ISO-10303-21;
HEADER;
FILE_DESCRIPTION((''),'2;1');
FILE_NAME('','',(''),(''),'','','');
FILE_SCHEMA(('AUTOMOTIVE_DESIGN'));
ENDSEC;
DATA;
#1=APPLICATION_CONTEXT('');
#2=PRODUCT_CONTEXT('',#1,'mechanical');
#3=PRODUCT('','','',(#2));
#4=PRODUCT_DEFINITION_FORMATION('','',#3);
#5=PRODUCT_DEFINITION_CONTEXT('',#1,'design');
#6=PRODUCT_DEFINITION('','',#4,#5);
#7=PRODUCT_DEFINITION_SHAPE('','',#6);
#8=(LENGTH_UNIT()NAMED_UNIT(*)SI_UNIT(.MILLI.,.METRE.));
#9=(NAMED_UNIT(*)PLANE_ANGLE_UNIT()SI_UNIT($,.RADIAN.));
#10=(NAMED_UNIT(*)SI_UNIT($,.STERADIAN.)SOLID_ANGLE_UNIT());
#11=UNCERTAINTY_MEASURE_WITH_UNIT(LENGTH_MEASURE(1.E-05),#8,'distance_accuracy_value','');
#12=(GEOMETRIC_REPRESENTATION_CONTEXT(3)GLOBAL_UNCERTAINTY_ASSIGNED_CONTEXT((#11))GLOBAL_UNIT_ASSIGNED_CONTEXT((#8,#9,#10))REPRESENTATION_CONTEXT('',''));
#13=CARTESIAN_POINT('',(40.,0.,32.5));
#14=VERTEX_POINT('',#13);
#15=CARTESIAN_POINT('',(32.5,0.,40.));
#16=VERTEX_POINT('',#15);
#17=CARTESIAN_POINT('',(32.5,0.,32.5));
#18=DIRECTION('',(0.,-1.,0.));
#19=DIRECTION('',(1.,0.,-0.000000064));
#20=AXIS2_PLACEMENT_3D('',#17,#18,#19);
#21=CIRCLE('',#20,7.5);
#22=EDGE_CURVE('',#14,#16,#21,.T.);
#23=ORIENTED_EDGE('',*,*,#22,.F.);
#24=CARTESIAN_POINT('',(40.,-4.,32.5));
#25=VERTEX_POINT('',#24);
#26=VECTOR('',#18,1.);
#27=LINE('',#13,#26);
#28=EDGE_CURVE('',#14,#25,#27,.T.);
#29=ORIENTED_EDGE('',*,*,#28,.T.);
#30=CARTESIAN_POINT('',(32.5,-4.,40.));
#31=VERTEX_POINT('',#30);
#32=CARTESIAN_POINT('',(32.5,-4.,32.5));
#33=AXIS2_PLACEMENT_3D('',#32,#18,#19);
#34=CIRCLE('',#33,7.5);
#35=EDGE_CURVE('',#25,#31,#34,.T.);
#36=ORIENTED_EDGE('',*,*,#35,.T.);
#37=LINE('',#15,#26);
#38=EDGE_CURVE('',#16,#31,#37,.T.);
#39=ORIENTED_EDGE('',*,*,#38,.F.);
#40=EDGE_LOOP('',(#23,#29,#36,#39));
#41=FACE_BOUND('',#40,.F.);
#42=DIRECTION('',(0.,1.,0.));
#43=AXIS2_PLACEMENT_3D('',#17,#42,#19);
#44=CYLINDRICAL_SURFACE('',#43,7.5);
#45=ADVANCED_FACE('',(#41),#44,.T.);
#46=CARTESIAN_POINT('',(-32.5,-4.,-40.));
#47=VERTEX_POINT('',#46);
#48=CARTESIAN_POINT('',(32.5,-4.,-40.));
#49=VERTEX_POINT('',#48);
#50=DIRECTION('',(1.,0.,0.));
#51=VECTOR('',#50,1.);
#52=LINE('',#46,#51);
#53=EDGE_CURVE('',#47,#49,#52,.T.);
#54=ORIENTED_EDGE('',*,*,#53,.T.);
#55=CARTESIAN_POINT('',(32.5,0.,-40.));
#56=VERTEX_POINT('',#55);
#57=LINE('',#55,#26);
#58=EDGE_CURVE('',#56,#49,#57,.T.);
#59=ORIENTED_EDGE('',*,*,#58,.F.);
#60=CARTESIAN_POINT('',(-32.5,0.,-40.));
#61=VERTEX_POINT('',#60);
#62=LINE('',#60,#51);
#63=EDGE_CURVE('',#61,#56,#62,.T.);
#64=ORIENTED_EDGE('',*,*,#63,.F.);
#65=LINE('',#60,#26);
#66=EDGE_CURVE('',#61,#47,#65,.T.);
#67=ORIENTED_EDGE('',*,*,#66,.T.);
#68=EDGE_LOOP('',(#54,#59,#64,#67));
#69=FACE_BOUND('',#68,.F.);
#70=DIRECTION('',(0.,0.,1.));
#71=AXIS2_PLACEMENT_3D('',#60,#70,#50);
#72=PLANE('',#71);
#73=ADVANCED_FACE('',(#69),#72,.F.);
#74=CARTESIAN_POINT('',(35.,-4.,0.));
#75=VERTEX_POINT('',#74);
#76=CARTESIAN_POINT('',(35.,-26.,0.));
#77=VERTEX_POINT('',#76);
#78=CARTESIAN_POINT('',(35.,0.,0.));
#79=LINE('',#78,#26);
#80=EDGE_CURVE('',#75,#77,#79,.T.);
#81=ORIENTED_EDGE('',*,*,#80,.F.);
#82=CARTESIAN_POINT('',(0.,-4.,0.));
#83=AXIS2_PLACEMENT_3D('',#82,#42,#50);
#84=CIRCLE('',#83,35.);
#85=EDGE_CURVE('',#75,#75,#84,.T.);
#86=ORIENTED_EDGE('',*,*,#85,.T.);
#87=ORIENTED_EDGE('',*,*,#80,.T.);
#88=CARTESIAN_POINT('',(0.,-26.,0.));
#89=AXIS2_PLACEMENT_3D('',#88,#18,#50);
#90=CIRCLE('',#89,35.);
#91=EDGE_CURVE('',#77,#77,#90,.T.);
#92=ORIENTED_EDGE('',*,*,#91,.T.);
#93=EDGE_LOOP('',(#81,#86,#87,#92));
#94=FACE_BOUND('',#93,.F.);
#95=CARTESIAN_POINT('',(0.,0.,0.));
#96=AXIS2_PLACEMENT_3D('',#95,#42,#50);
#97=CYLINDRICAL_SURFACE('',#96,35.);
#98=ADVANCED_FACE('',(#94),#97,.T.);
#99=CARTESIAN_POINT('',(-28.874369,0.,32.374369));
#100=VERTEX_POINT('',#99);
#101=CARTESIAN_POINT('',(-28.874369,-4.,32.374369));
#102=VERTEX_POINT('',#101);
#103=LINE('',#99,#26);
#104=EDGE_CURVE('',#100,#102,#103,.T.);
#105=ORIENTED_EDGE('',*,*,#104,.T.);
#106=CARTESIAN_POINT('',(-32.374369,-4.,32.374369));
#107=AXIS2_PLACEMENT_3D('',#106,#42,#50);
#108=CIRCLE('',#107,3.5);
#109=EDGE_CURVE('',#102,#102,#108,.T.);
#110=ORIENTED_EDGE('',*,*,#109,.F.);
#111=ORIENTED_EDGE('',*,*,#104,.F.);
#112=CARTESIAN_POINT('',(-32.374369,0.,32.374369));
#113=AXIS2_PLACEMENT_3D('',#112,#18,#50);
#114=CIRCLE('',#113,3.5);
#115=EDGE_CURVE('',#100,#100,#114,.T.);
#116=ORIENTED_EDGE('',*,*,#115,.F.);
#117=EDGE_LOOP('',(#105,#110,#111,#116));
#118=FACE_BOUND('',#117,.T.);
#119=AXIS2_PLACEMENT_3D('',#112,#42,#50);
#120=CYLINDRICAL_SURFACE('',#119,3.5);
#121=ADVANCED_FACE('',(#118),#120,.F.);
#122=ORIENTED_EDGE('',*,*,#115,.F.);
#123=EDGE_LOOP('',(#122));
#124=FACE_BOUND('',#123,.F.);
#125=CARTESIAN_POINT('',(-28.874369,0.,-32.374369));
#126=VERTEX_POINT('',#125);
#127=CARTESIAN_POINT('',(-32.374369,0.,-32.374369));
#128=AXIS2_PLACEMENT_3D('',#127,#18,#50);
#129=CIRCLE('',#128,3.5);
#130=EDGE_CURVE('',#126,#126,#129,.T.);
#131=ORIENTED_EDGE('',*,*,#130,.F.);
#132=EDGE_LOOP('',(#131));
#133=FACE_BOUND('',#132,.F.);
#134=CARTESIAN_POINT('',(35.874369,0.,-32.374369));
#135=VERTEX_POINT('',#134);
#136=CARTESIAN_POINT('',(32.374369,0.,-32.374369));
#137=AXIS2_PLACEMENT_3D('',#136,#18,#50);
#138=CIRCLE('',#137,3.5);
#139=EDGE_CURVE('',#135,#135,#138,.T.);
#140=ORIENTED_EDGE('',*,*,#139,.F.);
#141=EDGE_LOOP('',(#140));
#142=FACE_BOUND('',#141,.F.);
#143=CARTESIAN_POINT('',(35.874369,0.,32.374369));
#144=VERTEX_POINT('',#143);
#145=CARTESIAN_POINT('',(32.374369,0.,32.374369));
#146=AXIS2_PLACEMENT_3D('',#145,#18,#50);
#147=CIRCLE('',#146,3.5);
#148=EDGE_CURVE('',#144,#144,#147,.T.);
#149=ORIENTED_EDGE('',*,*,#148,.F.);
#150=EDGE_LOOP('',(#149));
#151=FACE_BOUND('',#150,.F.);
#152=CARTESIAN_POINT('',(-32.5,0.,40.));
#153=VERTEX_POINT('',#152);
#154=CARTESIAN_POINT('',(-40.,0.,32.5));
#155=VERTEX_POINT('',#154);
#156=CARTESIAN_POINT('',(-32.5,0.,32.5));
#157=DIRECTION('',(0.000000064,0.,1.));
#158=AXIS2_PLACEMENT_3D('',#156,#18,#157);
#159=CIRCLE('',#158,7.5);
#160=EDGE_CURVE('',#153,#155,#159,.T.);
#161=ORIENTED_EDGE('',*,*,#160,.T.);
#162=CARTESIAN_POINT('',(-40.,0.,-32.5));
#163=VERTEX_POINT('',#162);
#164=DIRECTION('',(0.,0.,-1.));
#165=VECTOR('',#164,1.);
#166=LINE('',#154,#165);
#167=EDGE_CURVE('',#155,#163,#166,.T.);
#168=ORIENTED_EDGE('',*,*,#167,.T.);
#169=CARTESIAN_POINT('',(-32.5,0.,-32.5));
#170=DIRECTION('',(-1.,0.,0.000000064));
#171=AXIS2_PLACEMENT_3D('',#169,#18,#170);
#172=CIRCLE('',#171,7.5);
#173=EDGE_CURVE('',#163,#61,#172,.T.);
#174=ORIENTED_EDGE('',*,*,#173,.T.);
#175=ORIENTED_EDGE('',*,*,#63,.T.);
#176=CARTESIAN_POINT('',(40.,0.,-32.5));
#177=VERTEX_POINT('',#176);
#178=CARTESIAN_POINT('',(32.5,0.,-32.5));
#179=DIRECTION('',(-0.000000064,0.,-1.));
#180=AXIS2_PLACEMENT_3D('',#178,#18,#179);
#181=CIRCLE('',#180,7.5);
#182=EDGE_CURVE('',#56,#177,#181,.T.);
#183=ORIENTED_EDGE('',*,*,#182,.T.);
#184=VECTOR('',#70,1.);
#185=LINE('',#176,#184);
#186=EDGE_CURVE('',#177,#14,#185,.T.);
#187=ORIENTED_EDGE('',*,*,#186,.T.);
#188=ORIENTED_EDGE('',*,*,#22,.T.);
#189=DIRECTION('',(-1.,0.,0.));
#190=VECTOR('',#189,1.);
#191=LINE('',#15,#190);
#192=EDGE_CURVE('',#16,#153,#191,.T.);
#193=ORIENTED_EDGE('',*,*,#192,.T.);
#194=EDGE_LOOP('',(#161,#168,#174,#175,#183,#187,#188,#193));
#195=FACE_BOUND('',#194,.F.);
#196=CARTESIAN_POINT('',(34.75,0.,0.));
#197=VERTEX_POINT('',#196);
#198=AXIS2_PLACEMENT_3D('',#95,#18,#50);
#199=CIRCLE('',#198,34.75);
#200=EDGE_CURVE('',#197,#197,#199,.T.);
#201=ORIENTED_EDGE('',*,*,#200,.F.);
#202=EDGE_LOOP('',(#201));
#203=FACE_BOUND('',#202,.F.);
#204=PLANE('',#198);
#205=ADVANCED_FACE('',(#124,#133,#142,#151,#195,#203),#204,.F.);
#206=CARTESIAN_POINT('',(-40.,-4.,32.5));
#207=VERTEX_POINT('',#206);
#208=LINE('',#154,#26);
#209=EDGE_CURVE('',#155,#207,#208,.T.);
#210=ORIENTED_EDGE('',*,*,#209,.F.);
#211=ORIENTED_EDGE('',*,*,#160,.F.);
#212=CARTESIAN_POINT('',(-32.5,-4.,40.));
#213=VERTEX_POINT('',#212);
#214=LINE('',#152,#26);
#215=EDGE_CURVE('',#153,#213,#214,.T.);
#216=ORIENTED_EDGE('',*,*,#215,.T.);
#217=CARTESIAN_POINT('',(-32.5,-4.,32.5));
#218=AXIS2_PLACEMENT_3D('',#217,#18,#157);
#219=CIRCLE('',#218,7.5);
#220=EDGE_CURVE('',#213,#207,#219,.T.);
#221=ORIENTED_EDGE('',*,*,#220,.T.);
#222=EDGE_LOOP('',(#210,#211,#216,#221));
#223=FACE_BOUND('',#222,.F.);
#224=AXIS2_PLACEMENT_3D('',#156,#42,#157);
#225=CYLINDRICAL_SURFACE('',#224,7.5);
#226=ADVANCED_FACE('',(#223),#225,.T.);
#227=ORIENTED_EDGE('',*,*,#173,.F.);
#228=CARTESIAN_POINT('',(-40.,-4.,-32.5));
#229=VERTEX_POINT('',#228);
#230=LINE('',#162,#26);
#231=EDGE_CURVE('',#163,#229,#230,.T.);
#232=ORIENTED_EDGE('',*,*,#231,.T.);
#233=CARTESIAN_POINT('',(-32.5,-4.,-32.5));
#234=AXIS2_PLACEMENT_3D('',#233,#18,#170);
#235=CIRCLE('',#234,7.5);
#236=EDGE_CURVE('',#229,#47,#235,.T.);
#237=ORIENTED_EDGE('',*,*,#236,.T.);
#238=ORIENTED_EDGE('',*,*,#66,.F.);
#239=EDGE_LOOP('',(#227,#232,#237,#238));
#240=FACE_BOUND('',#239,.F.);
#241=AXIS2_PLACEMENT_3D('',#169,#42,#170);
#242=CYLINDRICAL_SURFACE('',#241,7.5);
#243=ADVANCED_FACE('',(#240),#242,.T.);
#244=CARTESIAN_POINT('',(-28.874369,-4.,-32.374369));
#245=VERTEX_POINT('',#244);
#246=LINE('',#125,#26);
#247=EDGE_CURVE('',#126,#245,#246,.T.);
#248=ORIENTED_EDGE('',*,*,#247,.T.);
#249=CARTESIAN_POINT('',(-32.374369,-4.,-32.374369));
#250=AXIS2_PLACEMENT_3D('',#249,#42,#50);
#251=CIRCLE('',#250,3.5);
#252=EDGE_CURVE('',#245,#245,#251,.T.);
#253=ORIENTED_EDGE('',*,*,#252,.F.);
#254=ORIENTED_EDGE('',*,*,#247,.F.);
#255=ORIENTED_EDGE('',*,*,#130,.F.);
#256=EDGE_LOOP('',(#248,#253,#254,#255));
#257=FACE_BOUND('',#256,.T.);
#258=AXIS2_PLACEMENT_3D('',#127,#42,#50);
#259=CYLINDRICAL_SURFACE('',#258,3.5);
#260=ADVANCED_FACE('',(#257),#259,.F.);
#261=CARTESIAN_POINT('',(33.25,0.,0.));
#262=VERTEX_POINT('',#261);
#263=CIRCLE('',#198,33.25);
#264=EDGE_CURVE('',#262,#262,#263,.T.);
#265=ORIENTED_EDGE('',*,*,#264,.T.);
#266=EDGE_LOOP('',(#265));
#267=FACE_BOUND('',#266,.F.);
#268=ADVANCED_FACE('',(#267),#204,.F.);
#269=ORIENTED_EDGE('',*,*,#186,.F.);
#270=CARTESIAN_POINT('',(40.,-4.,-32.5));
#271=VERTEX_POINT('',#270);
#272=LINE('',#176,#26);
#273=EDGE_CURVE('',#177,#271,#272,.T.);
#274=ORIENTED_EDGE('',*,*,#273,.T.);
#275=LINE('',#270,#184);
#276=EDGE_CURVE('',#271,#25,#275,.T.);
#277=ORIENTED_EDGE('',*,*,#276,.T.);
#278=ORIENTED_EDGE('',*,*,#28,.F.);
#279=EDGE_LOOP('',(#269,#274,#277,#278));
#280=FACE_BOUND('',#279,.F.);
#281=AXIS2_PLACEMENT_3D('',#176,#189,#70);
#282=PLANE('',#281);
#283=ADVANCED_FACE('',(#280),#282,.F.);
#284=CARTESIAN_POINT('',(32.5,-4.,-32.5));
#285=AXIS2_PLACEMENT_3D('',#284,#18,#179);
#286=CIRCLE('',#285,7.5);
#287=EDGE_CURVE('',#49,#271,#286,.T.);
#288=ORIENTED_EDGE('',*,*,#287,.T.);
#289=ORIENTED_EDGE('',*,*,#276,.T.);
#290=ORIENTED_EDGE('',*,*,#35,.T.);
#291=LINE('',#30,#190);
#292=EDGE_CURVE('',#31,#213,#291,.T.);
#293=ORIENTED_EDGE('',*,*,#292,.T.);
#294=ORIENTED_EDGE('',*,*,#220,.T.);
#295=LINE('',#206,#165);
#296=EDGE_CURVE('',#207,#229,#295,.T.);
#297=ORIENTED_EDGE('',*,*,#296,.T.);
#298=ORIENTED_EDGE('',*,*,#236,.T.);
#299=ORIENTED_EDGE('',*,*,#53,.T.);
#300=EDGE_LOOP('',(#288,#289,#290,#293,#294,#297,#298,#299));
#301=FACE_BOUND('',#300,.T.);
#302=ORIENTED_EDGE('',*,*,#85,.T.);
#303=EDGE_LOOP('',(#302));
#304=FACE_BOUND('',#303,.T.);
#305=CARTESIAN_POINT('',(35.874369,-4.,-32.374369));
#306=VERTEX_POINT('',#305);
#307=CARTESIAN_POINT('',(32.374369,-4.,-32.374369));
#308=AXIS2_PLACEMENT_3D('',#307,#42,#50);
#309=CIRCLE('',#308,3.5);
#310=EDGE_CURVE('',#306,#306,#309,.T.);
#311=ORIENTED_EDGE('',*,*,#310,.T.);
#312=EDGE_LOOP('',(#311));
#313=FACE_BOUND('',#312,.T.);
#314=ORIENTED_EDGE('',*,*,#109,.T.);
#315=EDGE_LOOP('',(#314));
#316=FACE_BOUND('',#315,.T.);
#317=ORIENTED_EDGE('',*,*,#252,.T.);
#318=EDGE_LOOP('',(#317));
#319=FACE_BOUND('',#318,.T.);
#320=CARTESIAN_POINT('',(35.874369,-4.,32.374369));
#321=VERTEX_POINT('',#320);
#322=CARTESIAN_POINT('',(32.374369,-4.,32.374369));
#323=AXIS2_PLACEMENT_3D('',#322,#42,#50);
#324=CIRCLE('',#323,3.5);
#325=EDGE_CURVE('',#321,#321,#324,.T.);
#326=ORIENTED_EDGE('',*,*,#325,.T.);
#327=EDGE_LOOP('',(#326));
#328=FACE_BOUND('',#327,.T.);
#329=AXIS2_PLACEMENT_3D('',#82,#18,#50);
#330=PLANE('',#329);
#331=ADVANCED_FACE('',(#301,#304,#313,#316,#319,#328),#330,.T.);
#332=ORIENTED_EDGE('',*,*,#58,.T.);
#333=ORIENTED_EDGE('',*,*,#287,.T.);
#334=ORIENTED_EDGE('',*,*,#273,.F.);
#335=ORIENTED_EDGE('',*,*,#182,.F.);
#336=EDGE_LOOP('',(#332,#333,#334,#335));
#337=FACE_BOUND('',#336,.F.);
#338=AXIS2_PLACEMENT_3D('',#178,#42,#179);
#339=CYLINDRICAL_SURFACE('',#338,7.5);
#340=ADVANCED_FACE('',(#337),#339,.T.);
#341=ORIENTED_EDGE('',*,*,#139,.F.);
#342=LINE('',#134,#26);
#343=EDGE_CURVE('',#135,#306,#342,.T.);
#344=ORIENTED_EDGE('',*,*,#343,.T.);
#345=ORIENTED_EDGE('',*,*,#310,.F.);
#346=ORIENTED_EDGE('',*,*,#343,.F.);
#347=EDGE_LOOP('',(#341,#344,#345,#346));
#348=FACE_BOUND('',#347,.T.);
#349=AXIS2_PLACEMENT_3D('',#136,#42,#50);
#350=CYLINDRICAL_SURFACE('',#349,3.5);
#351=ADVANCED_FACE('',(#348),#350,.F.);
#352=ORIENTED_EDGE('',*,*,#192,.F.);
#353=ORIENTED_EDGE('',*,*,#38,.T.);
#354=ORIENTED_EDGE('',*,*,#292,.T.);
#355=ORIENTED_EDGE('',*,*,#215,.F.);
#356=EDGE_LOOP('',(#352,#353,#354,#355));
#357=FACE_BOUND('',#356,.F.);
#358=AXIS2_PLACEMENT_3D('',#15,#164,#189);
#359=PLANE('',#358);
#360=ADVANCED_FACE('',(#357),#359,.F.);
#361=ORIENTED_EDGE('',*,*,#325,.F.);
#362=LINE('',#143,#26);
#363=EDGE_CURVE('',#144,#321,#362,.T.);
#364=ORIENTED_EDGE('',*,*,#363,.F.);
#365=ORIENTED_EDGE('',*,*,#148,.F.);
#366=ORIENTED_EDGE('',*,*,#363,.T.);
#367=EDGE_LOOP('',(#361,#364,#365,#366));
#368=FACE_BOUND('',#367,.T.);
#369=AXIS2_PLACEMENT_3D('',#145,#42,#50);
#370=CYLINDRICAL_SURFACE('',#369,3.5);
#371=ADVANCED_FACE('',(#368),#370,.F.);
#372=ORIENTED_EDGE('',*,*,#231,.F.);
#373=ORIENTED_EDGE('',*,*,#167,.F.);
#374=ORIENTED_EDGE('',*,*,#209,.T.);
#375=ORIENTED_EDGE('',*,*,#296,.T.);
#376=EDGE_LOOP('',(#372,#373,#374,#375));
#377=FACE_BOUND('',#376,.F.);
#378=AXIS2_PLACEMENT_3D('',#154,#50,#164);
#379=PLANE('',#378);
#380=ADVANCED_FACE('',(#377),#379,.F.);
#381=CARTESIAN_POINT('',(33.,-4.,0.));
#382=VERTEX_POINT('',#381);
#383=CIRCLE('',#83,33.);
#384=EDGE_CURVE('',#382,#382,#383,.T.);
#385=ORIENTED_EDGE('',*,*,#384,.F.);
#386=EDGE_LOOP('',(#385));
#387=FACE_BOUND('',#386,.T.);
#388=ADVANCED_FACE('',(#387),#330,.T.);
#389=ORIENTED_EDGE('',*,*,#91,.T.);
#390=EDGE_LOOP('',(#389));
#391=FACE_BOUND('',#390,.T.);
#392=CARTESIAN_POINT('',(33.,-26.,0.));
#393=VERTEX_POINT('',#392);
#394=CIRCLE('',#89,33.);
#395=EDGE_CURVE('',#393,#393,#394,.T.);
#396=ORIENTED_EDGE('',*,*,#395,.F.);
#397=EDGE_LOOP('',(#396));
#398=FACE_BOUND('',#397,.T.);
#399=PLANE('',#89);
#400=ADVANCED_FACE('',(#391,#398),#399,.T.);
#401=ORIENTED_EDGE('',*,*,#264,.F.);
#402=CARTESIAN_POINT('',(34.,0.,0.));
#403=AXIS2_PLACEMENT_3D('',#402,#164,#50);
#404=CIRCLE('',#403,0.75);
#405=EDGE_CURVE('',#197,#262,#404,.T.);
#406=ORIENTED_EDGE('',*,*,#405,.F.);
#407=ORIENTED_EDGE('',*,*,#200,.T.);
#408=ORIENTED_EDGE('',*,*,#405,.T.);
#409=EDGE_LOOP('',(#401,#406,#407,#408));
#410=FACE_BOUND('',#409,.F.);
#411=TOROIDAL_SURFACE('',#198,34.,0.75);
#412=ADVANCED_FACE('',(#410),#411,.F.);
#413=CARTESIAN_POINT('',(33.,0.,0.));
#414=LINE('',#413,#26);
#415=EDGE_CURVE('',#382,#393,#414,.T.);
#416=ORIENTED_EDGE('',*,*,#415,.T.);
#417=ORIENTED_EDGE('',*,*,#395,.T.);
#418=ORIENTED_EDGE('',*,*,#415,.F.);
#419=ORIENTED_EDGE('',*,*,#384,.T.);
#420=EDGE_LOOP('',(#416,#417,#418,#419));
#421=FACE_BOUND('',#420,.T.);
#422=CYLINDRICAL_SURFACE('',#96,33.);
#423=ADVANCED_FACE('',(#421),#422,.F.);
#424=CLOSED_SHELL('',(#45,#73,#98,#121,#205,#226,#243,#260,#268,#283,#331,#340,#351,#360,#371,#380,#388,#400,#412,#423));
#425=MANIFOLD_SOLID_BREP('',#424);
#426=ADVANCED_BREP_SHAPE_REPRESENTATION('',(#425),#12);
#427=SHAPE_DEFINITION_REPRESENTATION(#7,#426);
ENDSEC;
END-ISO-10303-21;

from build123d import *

# Parameters (mm, degrees)
F3_DEPTH = 4
F1_R     = 35
F1_R_2   = 33
F4_DEPTH = 26
F2_R     = 3.5
F5_DEPTH = 26.001
F6_R     = 33
F7_DEPTH = 22
F8_R     = 0.75


with BuildPart() as f3:
    # F0 (on Front) → F3 (new body)
    with BuildSketch(Plane.XZ):
        with BuildLine():
            Line((32.5, 40), (-32.5, 40))
            ThreePointArc((-32.5, 40), (-37.803301, 37.803301), (-40, 32.5))
            Line((-40, 32.5), (-40, -32.5))
            ThreePointArc((-40, -32.5), (-37.803301, -37.803301), (-32.5, -40))
            Line((-32.5, -40), (32.5, -40))
            ThreePointArc((32.5, -40), (37.803301, -37.803301), (40, -32.5))
            Line((40, -32.5), (40, 32.5))
            ThreePointArc((40, 32.5), (37.803301, 37.803301), (32.5, 40))
        make_face()
    extrude(amount=F3_DEPTH)

    # F1 (on face) → F4 (join)
    with BuildSketch(Plane.XZ):
        Circle(F1_R)
        Circle(F1_R_2, mode=Mode.SUBTRACT)
    extrude(amount=F4_DEPTH)

    # F2 (on face) → F5 (cut, through all)
    with BuildSketch(Plane.XZ):
        with Locations((-32.374369, 32.374369)):
            Circle(F2_R)
        with Locations((-32.374369, -32.374369)):
            Circle(F2_R)
        with Locations((32.374369, -32.374369)):
            Circle(F2_R)
        with Locations((32.374369, 32.374369)):
            Circle(F2_R)
    extrude(amount=F5_DEPTH, mode=Mode.SUBTRACT)

    # F6 (on face) → F7 (cut)
    with BuildSketch(Plane.XZ.offset(26)):
        Circle(F6_R)
    extrude(amount=-F7_DEPTH, mode=Mode.SUBTRACT)

    # F9: sweep along a path in F1
    with BuildLine(Plane.XZ) as f9_path:
        CenterArc((0, 0), 33, 0, 360)
    # F8 (on Right) → F9 (sweep, cut)
    with BuildSketch(Plane.YZ):
        with Locations((0, 34)):
            Circle(F8_R)
    sweep(path=f9_path.line, mode=Mode.SUBTRACT)


solid = f3.part
